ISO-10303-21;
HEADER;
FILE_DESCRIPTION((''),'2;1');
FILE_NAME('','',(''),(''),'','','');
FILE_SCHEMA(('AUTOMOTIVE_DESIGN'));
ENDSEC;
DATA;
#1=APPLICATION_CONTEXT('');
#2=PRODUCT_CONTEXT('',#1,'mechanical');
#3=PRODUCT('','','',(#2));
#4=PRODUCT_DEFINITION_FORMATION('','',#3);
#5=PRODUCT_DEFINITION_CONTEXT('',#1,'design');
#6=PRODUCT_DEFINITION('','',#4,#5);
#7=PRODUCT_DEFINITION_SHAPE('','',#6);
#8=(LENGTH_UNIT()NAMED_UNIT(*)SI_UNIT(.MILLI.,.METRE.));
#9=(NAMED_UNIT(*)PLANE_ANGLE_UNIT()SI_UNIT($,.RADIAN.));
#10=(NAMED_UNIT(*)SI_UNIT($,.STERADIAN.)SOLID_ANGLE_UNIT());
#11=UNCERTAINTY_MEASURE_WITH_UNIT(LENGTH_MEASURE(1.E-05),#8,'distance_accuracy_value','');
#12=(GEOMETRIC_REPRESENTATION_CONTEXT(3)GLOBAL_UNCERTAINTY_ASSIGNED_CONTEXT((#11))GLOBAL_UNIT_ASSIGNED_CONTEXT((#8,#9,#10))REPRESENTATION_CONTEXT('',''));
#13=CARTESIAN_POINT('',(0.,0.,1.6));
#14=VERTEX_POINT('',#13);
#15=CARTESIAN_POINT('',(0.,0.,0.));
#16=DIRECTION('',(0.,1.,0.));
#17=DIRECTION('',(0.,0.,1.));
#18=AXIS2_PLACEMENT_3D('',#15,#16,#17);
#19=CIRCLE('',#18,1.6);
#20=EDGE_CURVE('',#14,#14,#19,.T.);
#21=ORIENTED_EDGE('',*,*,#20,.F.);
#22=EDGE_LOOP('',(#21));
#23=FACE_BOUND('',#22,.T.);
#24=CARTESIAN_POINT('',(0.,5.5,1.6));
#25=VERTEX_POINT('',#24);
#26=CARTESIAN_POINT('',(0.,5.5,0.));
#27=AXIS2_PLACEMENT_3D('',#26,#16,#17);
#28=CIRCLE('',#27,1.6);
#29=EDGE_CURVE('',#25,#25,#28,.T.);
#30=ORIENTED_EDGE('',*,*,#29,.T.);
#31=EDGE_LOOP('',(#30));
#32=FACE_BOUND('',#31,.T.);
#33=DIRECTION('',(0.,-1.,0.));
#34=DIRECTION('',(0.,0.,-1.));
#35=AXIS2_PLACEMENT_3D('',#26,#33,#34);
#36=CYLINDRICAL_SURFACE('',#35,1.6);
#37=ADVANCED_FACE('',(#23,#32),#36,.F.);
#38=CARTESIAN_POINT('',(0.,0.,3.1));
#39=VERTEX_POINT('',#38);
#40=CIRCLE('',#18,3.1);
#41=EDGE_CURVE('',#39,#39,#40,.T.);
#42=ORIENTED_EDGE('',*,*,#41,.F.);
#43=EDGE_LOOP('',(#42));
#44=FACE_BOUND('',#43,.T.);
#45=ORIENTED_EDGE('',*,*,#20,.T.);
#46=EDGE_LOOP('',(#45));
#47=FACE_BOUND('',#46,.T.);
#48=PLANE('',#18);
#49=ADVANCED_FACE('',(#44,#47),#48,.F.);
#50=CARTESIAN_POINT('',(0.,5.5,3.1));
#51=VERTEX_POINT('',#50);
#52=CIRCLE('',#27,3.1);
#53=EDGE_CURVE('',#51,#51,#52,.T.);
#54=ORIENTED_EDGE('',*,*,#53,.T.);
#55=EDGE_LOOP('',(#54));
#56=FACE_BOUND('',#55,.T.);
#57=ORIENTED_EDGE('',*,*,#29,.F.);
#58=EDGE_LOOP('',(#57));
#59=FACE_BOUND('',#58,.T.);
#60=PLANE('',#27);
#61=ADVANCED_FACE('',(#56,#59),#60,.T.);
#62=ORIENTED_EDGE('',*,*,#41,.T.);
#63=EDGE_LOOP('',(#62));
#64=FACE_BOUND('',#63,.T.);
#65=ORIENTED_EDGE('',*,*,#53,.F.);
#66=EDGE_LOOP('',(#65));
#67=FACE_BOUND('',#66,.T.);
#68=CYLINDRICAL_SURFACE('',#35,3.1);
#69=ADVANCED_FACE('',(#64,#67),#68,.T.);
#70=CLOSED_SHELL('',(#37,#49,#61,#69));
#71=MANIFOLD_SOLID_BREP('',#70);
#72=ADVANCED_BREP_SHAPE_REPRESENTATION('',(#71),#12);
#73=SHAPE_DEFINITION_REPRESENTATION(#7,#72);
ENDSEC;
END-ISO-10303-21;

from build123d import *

# Parameters (mm, degrees)
SKETCH_1_R      = 3.1
SKETCH_1_R_2    = 1.6
EXTRUDE_1_DEPTH = 5.5


with BuildPart() as part:
    # 草图1 → 凸台-拉伸1 (new body)
    with BuildSketch(Plane(origin=(0, 0, 0), x_dir=(1, 0, 0), z_dir=(0, 1, 0))):
        with Locations(Location((0, 0, 0), (0, 0, 270))):
            Circle(SKETCH_1_R)
        with Locations(Location((0, 0, 0), (0, 0, 270))):
            Circle(SKETCH_1_R_2, mode=Mode.SUBTRACT)
    extrude(amount=EXTRUDE_1_DEPTH)


solid = part.part
